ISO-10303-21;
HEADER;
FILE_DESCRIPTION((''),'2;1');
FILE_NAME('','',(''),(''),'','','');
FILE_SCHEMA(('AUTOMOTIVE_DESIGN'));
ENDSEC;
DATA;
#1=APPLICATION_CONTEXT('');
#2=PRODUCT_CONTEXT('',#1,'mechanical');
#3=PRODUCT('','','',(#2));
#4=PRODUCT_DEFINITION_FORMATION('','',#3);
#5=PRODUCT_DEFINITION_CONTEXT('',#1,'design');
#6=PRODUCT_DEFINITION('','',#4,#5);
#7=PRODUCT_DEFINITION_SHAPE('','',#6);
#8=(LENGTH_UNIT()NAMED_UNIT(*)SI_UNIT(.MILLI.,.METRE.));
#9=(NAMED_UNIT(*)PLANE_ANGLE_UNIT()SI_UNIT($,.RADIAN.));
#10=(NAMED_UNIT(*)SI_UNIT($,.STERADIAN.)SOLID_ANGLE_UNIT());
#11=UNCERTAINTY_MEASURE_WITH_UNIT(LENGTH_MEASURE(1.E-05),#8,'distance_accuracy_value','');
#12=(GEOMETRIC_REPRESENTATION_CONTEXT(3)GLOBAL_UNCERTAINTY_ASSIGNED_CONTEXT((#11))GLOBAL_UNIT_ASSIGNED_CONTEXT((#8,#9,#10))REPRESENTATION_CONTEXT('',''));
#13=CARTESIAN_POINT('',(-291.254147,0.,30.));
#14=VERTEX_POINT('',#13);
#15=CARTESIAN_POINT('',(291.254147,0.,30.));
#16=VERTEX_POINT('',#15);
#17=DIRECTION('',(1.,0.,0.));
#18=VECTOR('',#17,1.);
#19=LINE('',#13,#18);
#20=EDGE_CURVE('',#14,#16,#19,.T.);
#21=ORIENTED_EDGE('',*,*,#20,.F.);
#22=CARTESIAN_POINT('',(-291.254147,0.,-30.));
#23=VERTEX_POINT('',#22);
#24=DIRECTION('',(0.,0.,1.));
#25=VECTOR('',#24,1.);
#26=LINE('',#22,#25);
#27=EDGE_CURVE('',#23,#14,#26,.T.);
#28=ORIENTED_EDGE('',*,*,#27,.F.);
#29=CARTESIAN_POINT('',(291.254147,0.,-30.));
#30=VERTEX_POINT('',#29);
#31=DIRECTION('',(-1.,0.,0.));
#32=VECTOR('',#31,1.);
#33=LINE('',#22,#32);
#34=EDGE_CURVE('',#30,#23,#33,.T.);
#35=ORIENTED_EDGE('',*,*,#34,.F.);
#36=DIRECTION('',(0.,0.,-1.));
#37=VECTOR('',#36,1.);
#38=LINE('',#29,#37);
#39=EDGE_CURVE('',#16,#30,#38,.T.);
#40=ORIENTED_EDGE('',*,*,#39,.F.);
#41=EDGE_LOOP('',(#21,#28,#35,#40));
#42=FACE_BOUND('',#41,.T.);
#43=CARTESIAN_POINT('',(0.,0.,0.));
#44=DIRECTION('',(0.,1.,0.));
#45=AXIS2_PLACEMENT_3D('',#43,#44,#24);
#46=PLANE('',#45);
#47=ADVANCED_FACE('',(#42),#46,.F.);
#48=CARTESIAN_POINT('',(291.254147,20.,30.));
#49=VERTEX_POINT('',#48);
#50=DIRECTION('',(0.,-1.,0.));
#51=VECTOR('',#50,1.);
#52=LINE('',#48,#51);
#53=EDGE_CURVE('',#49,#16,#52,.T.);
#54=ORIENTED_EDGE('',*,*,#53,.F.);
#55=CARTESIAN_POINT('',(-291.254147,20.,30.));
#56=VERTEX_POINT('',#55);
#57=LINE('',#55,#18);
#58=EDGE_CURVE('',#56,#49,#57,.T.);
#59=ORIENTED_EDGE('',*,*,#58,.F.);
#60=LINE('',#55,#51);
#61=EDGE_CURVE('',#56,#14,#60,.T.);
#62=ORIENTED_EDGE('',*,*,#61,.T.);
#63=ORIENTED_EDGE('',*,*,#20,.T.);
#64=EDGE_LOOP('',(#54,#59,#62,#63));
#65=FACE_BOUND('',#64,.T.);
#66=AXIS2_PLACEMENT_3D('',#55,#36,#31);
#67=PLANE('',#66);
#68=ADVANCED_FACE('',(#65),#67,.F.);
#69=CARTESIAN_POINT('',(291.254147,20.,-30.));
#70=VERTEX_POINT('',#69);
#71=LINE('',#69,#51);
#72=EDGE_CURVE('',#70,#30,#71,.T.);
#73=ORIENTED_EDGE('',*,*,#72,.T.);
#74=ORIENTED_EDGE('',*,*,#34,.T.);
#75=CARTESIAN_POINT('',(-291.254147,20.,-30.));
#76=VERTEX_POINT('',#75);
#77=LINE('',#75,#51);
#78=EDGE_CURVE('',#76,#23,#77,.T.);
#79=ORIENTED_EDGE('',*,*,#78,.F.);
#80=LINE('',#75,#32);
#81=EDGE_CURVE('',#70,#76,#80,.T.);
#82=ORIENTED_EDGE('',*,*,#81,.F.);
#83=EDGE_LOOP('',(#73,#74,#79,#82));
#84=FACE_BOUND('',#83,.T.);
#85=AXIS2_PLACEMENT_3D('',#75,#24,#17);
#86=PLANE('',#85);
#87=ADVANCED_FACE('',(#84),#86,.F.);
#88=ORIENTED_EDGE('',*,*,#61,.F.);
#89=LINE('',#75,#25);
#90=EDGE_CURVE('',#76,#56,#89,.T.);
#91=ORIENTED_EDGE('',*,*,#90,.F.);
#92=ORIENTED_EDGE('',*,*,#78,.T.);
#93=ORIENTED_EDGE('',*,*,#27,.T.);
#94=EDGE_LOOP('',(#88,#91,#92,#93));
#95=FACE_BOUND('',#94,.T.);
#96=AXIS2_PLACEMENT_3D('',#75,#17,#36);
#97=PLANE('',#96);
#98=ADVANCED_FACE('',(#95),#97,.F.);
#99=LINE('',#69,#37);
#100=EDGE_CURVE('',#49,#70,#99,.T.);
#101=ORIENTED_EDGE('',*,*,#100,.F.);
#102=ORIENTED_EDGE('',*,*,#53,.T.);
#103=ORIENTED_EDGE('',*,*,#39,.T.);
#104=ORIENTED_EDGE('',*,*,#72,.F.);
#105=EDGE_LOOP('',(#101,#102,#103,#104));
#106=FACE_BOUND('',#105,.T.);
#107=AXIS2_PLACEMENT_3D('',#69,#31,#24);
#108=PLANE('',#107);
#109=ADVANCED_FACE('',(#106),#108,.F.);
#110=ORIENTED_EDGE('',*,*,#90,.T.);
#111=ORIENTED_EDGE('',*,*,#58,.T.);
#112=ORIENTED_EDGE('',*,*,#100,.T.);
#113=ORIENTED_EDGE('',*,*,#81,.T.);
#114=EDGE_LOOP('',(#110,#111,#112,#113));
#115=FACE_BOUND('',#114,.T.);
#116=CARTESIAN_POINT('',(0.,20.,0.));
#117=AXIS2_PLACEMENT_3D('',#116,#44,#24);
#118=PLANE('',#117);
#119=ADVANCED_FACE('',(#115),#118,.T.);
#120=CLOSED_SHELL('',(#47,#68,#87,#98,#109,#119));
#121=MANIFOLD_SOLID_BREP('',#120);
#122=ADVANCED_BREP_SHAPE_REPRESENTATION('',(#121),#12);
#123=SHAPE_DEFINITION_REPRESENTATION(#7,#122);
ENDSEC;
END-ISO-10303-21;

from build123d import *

# Parameters (mm, degrees)
SKETCH_1_W      = 582.508294322
SKETCH_1_H      = 60
EXTRUDE_1_DEPTH = 20


with BuildPart() as part:
    # Эскиз1 → Бобышка-Вытянуть1 (new body)
    with BuildSketch(Plane(origin=(0, 0, 0), x_dir=(1, 0, 0), z_dir=(0, 1, 0))):
        Rectangle(SKETCH_1_W, SKETCH_1_H)
    extrude(amount=EXTRUDE_1_DEPTH)


solid = part.part
